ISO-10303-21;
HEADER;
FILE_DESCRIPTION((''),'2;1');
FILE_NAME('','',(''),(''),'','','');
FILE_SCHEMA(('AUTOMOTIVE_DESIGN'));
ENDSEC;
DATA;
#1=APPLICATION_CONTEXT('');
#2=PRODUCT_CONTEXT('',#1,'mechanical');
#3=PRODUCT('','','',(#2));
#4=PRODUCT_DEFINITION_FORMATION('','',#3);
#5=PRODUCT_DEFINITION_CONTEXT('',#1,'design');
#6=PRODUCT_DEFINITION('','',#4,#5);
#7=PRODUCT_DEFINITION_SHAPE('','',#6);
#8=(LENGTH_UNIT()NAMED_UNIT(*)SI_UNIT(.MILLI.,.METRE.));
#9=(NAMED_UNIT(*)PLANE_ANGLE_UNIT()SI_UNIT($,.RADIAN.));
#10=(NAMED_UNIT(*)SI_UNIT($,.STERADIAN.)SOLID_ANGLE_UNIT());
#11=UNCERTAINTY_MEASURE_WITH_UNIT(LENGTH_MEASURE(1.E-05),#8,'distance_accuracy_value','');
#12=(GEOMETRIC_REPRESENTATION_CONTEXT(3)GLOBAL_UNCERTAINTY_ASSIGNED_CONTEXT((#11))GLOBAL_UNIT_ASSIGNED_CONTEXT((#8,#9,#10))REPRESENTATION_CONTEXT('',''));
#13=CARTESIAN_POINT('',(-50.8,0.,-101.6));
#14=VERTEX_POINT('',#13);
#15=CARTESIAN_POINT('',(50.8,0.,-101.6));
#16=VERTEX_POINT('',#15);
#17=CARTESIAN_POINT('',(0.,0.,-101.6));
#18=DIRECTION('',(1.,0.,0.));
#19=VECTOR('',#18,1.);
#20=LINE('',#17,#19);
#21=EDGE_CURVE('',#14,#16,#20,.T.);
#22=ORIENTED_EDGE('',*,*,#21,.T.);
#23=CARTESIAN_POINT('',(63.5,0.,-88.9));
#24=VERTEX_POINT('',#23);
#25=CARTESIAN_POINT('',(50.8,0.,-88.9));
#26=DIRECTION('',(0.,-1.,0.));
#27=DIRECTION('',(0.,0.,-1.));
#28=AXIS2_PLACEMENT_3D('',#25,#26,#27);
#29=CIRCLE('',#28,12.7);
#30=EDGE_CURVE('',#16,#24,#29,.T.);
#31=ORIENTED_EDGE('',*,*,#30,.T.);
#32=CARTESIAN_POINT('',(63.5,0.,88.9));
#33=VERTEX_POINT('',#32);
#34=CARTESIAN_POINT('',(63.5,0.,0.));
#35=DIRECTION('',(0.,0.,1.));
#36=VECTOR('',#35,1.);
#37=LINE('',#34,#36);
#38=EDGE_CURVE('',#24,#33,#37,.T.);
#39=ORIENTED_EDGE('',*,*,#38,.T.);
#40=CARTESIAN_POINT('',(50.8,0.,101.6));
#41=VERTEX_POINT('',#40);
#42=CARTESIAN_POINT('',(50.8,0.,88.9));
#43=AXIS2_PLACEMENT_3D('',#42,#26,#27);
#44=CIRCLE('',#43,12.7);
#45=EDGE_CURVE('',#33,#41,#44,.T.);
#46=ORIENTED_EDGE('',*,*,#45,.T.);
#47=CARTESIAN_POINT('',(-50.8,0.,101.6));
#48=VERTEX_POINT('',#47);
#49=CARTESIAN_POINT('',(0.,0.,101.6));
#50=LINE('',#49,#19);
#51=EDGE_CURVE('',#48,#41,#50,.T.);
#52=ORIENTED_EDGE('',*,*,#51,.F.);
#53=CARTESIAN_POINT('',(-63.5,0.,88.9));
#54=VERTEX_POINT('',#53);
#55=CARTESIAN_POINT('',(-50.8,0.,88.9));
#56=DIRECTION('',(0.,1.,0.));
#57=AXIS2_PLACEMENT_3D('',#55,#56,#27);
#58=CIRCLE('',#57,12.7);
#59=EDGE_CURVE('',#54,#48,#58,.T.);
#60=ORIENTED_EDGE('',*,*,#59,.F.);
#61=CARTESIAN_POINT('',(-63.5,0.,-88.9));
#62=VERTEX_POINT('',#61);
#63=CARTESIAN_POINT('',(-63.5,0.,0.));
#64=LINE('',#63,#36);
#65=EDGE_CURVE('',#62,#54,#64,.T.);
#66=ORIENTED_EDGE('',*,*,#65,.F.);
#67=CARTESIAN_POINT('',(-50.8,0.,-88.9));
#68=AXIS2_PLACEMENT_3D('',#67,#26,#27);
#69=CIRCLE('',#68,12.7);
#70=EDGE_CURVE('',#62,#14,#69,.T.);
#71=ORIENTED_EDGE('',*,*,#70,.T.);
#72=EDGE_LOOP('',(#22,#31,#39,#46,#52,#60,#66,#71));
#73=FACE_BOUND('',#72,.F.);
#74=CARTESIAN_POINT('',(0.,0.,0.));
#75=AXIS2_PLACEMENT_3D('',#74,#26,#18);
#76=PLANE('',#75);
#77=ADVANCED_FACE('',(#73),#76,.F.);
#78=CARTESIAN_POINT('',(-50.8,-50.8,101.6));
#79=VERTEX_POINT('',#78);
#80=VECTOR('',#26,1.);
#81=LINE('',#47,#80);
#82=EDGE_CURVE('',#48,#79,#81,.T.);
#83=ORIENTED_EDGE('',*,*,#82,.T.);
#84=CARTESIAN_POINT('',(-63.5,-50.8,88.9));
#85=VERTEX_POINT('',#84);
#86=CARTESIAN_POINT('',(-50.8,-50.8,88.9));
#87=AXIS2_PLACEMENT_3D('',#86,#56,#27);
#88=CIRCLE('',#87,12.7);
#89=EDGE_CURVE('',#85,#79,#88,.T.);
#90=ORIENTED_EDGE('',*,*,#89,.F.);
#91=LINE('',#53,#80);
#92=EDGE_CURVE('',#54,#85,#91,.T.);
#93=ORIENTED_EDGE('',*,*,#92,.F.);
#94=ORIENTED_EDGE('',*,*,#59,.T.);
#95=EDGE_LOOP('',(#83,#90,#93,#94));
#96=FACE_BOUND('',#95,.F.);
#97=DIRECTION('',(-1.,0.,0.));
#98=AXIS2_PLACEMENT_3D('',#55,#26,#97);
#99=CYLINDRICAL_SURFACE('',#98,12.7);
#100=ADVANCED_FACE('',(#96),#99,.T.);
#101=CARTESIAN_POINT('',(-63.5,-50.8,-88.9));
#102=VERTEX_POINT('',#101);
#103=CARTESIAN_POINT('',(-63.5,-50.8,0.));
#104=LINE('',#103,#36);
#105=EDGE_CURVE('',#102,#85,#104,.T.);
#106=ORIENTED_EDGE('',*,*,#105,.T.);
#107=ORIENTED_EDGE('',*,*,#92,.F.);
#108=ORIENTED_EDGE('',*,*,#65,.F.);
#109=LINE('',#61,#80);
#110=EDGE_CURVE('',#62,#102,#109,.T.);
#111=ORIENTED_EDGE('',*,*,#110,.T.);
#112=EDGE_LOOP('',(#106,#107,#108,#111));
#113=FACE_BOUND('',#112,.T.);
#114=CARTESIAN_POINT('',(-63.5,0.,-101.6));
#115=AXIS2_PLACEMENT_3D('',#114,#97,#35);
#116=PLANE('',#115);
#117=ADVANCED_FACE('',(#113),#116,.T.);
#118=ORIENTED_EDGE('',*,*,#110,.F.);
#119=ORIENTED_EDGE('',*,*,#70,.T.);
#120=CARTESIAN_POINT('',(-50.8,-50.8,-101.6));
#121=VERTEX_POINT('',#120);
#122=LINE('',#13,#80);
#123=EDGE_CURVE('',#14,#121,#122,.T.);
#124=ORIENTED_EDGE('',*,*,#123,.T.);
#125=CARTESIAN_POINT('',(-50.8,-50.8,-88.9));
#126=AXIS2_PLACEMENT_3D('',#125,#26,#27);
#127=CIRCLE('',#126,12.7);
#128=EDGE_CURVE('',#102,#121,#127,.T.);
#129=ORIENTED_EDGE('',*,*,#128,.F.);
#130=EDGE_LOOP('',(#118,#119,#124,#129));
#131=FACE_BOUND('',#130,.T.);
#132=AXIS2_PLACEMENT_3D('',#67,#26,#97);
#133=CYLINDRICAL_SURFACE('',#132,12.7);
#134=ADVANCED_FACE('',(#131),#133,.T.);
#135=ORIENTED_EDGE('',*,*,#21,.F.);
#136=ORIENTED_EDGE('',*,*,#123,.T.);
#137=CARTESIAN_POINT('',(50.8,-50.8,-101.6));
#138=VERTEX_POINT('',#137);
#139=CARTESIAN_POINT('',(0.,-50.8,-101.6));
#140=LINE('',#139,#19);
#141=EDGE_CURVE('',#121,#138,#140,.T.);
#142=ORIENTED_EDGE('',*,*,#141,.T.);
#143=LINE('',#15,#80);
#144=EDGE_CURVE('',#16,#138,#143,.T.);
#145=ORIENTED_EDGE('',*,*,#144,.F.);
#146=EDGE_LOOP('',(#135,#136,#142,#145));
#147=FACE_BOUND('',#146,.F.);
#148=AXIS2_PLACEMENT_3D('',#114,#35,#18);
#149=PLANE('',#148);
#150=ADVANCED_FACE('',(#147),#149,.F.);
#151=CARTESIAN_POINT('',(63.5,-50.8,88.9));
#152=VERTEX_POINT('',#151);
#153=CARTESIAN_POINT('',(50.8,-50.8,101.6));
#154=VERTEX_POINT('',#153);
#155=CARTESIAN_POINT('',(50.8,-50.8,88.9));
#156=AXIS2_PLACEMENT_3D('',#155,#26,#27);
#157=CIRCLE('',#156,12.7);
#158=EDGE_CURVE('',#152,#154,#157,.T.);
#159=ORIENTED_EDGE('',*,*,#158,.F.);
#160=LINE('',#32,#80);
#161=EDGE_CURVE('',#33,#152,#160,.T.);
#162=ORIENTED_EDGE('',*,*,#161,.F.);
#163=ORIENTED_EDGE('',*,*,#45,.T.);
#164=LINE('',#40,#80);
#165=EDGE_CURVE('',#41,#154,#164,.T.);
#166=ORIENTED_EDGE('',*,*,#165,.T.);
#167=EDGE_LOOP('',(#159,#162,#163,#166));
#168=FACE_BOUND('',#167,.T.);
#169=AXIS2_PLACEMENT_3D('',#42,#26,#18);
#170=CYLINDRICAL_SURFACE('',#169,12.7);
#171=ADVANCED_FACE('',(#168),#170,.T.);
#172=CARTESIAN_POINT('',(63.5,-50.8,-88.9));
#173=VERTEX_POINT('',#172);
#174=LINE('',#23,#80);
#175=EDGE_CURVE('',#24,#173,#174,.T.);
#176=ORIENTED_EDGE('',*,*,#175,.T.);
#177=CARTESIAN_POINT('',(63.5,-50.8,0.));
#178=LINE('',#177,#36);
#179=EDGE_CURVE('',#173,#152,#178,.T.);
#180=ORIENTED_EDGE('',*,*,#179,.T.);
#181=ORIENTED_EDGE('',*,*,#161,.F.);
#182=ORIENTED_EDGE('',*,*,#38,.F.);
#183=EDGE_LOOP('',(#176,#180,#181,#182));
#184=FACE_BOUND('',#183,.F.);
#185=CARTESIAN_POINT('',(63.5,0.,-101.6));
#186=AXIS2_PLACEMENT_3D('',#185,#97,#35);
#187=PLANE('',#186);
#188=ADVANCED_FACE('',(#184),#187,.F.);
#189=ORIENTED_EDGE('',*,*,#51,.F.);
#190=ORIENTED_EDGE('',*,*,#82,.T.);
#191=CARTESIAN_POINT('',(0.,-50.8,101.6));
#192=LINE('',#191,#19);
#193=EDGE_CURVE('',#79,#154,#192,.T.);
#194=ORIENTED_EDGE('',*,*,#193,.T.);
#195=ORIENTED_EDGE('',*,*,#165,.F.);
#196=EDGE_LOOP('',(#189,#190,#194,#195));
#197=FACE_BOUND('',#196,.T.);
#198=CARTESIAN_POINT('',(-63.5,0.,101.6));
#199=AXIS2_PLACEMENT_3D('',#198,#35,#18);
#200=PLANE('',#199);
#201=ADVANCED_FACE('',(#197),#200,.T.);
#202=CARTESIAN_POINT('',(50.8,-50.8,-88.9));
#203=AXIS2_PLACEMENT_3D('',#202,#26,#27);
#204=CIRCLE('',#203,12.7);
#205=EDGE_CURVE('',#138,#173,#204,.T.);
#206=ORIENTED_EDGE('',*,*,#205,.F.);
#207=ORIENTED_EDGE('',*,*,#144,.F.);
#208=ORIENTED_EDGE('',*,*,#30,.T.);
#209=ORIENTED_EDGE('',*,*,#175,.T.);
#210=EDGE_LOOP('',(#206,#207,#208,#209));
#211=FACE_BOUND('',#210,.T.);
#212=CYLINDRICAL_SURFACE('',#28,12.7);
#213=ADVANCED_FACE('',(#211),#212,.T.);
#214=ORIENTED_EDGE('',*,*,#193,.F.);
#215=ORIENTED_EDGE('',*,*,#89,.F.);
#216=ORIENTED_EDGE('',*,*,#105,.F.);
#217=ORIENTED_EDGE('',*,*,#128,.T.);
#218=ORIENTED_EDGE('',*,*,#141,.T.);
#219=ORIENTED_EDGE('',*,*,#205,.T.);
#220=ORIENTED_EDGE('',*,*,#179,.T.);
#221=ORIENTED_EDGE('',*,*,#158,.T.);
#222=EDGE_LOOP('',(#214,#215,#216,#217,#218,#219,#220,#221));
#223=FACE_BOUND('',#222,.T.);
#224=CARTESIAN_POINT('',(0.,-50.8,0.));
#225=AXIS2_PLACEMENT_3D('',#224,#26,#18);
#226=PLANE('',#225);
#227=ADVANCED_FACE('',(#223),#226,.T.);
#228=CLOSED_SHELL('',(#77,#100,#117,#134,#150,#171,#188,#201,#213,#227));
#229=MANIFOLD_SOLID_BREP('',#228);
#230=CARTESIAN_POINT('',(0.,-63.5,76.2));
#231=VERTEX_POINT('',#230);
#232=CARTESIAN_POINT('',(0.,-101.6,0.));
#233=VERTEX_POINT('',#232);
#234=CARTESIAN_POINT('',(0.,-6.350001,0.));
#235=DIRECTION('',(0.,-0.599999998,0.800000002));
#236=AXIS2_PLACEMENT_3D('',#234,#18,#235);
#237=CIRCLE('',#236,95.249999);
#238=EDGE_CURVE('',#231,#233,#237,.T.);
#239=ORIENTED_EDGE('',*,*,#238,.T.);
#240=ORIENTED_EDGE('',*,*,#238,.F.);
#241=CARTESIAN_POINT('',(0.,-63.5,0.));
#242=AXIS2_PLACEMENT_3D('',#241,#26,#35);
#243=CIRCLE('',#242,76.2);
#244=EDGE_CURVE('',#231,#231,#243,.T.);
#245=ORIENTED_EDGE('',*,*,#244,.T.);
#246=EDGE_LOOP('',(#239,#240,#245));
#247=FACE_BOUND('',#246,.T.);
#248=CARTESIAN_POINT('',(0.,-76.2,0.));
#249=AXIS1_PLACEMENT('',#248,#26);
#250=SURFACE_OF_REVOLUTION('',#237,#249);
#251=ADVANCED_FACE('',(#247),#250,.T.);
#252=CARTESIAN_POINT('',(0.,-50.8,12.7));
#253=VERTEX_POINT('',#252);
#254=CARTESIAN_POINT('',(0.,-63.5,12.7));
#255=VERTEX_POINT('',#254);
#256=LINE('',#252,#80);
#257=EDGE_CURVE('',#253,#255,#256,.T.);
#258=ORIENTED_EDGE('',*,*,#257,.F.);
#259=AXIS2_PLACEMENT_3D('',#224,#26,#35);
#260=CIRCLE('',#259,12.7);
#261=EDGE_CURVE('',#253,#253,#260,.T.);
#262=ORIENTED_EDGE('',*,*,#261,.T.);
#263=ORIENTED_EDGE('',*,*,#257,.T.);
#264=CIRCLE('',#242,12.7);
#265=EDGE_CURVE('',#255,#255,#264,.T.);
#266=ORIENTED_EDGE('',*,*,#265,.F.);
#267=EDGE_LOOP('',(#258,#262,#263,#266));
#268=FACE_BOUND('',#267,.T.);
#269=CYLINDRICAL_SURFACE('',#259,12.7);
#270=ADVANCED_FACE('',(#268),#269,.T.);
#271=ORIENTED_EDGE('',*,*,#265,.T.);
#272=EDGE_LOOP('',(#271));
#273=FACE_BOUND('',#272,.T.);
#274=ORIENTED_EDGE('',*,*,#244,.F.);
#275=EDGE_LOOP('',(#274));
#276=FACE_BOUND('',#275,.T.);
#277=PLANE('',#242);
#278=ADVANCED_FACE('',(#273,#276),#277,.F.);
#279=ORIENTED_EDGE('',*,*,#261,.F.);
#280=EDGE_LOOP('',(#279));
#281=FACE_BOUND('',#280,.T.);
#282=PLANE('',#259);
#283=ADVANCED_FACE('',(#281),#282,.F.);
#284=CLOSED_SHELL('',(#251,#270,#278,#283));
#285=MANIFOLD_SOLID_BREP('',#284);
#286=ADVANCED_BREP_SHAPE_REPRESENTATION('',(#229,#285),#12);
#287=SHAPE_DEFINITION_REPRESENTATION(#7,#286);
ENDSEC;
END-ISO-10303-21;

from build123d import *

# Parameters (mm, degrees)
F0_W     = 127
F0_H     = 203.2
F1_DEPTH = 50.8
F4_R     = 12.7


with BuildPart() as f1:
    # F0 (on Front) → F1 (new body)
    with BuildSketch(Plane.XZ):
        Rectangle(F0_W, F0_H)
    extrude(amount=F1_DEPTH)

    # F4
    f4_edges = [f1.edges().sort_by_distance(p)[0] for p in [
        (63.5, -25.4, 101.6),
        (-63.5, -25.4, 101.6),
        (63.5, -25.4, -101.6),
        (-63.5, -25.4, -101.6),
    ]]
    fillet(f4_edges, radius=F4_R)


with BuildPart() as f3:
    # F2 (on Right) → F3 (revolve)
    with BuildSketch(Plane.YZ):
        with BuildLine():
            Line((-50.8, 0), (-50.8, 12.7))
            Line((-50.8, 12.7), (-63.5, 12.7))
            Line((-63.5, 12.7), (-63.5, 76.2))
            ThreePointArc((-63.5, 76.2), (-91.54419, 42.597095), (-101.6, 0))
            Line((-101.6, 0), (-50.8, 0))
        make_face()
    revolve(axis=Axis((0, -76.2, 0), (0, -1, 0)))


solid = Compound([f1.part, f3.part])
